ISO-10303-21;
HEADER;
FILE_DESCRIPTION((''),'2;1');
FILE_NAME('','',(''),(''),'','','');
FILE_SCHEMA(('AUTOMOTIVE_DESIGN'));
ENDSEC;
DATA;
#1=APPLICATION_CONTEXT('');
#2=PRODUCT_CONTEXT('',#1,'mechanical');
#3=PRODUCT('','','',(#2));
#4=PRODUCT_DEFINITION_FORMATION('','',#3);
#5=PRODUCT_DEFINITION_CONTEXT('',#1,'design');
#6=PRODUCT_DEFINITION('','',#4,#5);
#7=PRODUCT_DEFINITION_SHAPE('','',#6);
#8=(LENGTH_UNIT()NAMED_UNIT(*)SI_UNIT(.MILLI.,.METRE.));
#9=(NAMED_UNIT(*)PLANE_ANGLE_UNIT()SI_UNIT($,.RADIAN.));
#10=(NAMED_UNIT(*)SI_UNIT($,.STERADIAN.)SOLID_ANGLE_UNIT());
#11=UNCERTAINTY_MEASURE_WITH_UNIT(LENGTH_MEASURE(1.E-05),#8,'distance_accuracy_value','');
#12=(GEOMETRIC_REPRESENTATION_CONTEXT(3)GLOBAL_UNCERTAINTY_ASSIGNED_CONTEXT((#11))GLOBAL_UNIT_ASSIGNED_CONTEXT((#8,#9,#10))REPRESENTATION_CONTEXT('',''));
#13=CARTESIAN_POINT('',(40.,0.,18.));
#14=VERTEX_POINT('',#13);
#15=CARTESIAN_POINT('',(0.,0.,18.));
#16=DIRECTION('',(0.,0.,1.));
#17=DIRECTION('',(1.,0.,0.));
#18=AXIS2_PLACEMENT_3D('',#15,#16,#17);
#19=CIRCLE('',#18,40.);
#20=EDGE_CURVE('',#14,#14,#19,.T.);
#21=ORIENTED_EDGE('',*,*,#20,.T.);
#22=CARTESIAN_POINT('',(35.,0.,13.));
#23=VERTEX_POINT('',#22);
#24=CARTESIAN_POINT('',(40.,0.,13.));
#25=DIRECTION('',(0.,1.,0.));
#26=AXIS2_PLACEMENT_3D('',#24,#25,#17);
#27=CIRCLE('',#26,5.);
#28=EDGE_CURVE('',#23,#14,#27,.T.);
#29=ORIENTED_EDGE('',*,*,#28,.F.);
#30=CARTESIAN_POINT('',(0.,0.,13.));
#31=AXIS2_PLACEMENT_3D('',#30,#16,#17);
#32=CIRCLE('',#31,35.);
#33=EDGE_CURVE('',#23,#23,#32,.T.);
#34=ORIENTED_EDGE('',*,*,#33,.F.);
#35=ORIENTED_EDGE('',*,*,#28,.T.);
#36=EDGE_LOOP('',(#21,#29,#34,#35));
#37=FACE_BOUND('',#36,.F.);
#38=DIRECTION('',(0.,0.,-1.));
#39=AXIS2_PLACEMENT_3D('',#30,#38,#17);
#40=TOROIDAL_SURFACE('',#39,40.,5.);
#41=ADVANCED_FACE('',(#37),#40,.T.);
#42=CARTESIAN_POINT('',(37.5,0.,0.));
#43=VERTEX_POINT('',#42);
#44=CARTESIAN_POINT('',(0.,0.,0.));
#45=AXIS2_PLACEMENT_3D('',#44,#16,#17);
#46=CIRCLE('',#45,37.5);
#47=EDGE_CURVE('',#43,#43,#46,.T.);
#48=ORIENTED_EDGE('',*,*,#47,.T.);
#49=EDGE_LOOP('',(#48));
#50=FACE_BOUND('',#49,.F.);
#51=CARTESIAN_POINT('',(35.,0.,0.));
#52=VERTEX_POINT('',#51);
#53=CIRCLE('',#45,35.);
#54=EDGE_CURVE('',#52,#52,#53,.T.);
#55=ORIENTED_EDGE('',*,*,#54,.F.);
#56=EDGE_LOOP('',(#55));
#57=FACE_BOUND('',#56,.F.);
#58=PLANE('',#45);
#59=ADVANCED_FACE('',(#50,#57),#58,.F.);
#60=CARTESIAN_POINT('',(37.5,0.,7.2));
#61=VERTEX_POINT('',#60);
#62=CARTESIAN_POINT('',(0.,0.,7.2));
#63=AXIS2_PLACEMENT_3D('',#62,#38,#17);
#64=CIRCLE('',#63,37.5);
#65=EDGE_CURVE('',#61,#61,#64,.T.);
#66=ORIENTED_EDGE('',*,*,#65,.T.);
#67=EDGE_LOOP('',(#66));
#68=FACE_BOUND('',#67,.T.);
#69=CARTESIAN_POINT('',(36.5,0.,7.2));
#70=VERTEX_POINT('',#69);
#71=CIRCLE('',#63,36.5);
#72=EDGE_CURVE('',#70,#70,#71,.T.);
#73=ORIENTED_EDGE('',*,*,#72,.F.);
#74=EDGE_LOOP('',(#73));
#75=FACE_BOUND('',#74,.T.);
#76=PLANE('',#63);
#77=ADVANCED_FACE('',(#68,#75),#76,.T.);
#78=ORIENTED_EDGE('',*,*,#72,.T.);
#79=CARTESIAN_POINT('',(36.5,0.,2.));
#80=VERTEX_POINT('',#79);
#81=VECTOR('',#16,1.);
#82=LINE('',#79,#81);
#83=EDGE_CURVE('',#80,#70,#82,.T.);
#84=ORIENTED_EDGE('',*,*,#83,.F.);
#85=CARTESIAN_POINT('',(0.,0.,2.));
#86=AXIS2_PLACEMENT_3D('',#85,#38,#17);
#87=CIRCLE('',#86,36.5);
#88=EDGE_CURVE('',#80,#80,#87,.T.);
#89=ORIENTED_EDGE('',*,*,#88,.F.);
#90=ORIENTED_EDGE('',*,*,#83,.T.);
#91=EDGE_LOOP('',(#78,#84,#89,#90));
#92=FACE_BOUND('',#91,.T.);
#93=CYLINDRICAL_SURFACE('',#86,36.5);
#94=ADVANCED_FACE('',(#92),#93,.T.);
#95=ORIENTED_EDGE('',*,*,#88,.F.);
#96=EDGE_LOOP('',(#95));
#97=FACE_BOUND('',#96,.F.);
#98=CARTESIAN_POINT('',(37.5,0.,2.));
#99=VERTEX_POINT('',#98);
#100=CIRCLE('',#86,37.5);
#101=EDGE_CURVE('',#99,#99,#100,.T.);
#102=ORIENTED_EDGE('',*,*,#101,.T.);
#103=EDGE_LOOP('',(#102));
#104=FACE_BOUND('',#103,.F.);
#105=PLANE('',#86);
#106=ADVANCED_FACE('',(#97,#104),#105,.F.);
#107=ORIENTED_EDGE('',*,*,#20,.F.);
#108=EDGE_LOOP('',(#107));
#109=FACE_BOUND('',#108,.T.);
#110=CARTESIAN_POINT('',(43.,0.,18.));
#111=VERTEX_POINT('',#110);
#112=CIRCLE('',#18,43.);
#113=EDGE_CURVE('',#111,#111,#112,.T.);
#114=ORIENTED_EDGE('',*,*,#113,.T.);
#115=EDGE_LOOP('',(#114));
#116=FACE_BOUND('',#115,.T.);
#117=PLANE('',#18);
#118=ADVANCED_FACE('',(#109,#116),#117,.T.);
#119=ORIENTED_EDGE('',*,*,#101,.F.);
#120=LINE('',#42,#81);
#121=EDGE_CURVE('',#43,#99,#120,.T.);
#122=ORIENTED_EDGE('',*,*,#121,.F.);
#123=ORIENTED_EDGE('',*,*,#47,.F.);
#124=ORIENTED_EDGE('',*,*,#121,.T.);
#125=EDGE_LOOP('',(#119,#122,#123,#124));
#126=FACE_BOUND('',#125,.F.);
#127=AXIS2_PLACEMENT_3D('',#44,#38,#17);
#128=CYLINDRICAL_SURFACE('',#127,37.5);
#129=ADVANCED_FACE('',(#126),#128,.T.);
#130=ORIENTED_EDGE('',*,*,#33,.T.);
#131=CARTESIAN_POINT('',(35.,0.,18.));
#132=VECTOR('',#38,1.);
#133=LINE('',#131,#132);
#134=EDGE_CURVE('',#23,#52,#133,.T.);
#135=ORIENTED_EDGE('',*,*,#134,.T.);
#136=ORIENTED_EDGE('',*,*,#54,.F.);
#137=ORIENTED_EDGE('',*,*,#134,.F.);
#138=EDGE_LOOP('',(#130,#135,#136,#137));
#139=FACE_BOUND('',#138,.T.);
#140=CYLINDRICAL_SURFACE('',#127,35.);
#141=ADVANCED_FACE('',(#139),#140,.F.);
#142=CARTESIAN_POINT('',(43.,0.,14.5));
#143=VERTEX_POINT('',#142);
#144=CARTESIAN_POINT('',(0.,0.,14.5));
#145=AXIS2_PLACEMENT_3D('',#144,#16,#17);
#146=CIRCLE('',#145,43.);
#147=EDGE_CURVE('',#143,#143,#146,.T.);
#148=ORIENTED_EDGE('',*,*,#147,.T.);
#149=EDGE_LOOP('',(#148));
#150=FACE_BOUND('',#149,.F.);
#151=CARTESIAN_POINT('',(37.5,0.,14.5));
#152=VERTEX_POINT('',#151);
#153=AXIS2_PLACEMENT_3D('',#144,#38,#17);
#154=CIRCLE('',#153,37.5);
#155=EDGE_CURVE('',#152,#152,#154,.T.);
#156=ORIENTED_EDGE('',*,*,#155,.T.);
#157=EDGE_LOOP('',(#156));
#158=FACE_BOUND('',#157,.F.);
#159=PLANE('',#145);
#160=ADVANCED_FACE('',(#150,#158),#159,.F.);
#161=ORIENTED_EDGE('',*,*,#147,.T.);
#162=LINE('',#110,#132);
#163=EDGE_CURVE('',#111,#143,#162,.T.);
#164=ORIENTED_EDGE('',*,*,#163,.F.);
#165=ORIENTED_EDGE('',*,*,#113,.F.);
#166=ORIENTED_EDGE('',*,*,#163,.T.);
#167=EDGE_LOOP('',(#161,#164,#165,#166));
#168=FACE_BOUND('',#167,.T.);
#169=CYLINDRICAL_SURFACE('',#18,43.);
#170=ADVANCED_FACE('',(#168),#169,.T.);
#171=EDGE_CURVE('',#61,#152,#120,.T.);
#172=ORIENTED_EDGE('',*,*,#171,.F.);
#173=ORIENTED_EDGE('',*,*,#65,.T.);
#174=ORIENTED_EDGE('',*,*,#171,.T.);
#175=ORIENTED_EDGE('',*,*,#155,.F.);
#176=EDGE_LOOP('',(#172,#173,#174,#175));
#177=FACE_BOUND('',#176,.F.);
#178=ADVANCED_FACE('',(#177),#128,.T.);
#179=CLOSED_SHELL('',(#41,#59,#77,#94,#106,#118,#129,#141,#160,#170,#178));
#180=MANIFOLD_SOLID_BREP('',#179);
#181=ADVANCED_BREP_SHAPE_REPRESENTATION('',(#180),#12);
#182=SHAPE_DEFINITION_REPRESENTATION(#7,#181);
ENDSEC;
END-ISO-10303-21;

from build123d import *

# Parameters (mm, degrees)
F0_R     = 37.5
F0_R_2   = 35
F1_DEPTH = 18
F2_R     = 43
F2_R_2   = 35
F3_DEPTH = 3.5
F4_R     = 5
F6_R     = 37.5
F6_R_2   = 36.5
F7_DEPTH = 5.2


with BuildPart() as f1:
    # F0 (on Top) → F1 (new body)
    with BuildSketch(Plane.XY):
        Circle(F0_R)
        Circle(F0_R_2, mode=Mode.SUBTRACT)
    extrude(amount=F1_DEPTH)

    # F2 (on face) → F3 (join)
    with BuildSketch(Plane.XY.offset(18)):
        Circle(F2_R)
        Circle(F2_R_2, mode=Mode.SUBTRACT)
    extrude(amount=-F3_DEPTH)

    # F4
    f4_edges = [f1.edges().sort_by_distance(p)[0] for p in [
        (-35, 0, 18),
    ]]
    fillet(f4_edges, radius=F4_R)

    # F6 (on offset) → F7 (cut)
    with BuildSketch(Plane(origin=(0, 0, 2), x_dir=(1, 0, 0), z_dir=(0, 0, -1))):
        Circle(F6_R)
        Circle(F6_R_2, mode=Mode.SUBTRACT)
    extrude(amount=-F7_DEPTH, mode=Mode.SUBTRACT)


solid = f1.part
